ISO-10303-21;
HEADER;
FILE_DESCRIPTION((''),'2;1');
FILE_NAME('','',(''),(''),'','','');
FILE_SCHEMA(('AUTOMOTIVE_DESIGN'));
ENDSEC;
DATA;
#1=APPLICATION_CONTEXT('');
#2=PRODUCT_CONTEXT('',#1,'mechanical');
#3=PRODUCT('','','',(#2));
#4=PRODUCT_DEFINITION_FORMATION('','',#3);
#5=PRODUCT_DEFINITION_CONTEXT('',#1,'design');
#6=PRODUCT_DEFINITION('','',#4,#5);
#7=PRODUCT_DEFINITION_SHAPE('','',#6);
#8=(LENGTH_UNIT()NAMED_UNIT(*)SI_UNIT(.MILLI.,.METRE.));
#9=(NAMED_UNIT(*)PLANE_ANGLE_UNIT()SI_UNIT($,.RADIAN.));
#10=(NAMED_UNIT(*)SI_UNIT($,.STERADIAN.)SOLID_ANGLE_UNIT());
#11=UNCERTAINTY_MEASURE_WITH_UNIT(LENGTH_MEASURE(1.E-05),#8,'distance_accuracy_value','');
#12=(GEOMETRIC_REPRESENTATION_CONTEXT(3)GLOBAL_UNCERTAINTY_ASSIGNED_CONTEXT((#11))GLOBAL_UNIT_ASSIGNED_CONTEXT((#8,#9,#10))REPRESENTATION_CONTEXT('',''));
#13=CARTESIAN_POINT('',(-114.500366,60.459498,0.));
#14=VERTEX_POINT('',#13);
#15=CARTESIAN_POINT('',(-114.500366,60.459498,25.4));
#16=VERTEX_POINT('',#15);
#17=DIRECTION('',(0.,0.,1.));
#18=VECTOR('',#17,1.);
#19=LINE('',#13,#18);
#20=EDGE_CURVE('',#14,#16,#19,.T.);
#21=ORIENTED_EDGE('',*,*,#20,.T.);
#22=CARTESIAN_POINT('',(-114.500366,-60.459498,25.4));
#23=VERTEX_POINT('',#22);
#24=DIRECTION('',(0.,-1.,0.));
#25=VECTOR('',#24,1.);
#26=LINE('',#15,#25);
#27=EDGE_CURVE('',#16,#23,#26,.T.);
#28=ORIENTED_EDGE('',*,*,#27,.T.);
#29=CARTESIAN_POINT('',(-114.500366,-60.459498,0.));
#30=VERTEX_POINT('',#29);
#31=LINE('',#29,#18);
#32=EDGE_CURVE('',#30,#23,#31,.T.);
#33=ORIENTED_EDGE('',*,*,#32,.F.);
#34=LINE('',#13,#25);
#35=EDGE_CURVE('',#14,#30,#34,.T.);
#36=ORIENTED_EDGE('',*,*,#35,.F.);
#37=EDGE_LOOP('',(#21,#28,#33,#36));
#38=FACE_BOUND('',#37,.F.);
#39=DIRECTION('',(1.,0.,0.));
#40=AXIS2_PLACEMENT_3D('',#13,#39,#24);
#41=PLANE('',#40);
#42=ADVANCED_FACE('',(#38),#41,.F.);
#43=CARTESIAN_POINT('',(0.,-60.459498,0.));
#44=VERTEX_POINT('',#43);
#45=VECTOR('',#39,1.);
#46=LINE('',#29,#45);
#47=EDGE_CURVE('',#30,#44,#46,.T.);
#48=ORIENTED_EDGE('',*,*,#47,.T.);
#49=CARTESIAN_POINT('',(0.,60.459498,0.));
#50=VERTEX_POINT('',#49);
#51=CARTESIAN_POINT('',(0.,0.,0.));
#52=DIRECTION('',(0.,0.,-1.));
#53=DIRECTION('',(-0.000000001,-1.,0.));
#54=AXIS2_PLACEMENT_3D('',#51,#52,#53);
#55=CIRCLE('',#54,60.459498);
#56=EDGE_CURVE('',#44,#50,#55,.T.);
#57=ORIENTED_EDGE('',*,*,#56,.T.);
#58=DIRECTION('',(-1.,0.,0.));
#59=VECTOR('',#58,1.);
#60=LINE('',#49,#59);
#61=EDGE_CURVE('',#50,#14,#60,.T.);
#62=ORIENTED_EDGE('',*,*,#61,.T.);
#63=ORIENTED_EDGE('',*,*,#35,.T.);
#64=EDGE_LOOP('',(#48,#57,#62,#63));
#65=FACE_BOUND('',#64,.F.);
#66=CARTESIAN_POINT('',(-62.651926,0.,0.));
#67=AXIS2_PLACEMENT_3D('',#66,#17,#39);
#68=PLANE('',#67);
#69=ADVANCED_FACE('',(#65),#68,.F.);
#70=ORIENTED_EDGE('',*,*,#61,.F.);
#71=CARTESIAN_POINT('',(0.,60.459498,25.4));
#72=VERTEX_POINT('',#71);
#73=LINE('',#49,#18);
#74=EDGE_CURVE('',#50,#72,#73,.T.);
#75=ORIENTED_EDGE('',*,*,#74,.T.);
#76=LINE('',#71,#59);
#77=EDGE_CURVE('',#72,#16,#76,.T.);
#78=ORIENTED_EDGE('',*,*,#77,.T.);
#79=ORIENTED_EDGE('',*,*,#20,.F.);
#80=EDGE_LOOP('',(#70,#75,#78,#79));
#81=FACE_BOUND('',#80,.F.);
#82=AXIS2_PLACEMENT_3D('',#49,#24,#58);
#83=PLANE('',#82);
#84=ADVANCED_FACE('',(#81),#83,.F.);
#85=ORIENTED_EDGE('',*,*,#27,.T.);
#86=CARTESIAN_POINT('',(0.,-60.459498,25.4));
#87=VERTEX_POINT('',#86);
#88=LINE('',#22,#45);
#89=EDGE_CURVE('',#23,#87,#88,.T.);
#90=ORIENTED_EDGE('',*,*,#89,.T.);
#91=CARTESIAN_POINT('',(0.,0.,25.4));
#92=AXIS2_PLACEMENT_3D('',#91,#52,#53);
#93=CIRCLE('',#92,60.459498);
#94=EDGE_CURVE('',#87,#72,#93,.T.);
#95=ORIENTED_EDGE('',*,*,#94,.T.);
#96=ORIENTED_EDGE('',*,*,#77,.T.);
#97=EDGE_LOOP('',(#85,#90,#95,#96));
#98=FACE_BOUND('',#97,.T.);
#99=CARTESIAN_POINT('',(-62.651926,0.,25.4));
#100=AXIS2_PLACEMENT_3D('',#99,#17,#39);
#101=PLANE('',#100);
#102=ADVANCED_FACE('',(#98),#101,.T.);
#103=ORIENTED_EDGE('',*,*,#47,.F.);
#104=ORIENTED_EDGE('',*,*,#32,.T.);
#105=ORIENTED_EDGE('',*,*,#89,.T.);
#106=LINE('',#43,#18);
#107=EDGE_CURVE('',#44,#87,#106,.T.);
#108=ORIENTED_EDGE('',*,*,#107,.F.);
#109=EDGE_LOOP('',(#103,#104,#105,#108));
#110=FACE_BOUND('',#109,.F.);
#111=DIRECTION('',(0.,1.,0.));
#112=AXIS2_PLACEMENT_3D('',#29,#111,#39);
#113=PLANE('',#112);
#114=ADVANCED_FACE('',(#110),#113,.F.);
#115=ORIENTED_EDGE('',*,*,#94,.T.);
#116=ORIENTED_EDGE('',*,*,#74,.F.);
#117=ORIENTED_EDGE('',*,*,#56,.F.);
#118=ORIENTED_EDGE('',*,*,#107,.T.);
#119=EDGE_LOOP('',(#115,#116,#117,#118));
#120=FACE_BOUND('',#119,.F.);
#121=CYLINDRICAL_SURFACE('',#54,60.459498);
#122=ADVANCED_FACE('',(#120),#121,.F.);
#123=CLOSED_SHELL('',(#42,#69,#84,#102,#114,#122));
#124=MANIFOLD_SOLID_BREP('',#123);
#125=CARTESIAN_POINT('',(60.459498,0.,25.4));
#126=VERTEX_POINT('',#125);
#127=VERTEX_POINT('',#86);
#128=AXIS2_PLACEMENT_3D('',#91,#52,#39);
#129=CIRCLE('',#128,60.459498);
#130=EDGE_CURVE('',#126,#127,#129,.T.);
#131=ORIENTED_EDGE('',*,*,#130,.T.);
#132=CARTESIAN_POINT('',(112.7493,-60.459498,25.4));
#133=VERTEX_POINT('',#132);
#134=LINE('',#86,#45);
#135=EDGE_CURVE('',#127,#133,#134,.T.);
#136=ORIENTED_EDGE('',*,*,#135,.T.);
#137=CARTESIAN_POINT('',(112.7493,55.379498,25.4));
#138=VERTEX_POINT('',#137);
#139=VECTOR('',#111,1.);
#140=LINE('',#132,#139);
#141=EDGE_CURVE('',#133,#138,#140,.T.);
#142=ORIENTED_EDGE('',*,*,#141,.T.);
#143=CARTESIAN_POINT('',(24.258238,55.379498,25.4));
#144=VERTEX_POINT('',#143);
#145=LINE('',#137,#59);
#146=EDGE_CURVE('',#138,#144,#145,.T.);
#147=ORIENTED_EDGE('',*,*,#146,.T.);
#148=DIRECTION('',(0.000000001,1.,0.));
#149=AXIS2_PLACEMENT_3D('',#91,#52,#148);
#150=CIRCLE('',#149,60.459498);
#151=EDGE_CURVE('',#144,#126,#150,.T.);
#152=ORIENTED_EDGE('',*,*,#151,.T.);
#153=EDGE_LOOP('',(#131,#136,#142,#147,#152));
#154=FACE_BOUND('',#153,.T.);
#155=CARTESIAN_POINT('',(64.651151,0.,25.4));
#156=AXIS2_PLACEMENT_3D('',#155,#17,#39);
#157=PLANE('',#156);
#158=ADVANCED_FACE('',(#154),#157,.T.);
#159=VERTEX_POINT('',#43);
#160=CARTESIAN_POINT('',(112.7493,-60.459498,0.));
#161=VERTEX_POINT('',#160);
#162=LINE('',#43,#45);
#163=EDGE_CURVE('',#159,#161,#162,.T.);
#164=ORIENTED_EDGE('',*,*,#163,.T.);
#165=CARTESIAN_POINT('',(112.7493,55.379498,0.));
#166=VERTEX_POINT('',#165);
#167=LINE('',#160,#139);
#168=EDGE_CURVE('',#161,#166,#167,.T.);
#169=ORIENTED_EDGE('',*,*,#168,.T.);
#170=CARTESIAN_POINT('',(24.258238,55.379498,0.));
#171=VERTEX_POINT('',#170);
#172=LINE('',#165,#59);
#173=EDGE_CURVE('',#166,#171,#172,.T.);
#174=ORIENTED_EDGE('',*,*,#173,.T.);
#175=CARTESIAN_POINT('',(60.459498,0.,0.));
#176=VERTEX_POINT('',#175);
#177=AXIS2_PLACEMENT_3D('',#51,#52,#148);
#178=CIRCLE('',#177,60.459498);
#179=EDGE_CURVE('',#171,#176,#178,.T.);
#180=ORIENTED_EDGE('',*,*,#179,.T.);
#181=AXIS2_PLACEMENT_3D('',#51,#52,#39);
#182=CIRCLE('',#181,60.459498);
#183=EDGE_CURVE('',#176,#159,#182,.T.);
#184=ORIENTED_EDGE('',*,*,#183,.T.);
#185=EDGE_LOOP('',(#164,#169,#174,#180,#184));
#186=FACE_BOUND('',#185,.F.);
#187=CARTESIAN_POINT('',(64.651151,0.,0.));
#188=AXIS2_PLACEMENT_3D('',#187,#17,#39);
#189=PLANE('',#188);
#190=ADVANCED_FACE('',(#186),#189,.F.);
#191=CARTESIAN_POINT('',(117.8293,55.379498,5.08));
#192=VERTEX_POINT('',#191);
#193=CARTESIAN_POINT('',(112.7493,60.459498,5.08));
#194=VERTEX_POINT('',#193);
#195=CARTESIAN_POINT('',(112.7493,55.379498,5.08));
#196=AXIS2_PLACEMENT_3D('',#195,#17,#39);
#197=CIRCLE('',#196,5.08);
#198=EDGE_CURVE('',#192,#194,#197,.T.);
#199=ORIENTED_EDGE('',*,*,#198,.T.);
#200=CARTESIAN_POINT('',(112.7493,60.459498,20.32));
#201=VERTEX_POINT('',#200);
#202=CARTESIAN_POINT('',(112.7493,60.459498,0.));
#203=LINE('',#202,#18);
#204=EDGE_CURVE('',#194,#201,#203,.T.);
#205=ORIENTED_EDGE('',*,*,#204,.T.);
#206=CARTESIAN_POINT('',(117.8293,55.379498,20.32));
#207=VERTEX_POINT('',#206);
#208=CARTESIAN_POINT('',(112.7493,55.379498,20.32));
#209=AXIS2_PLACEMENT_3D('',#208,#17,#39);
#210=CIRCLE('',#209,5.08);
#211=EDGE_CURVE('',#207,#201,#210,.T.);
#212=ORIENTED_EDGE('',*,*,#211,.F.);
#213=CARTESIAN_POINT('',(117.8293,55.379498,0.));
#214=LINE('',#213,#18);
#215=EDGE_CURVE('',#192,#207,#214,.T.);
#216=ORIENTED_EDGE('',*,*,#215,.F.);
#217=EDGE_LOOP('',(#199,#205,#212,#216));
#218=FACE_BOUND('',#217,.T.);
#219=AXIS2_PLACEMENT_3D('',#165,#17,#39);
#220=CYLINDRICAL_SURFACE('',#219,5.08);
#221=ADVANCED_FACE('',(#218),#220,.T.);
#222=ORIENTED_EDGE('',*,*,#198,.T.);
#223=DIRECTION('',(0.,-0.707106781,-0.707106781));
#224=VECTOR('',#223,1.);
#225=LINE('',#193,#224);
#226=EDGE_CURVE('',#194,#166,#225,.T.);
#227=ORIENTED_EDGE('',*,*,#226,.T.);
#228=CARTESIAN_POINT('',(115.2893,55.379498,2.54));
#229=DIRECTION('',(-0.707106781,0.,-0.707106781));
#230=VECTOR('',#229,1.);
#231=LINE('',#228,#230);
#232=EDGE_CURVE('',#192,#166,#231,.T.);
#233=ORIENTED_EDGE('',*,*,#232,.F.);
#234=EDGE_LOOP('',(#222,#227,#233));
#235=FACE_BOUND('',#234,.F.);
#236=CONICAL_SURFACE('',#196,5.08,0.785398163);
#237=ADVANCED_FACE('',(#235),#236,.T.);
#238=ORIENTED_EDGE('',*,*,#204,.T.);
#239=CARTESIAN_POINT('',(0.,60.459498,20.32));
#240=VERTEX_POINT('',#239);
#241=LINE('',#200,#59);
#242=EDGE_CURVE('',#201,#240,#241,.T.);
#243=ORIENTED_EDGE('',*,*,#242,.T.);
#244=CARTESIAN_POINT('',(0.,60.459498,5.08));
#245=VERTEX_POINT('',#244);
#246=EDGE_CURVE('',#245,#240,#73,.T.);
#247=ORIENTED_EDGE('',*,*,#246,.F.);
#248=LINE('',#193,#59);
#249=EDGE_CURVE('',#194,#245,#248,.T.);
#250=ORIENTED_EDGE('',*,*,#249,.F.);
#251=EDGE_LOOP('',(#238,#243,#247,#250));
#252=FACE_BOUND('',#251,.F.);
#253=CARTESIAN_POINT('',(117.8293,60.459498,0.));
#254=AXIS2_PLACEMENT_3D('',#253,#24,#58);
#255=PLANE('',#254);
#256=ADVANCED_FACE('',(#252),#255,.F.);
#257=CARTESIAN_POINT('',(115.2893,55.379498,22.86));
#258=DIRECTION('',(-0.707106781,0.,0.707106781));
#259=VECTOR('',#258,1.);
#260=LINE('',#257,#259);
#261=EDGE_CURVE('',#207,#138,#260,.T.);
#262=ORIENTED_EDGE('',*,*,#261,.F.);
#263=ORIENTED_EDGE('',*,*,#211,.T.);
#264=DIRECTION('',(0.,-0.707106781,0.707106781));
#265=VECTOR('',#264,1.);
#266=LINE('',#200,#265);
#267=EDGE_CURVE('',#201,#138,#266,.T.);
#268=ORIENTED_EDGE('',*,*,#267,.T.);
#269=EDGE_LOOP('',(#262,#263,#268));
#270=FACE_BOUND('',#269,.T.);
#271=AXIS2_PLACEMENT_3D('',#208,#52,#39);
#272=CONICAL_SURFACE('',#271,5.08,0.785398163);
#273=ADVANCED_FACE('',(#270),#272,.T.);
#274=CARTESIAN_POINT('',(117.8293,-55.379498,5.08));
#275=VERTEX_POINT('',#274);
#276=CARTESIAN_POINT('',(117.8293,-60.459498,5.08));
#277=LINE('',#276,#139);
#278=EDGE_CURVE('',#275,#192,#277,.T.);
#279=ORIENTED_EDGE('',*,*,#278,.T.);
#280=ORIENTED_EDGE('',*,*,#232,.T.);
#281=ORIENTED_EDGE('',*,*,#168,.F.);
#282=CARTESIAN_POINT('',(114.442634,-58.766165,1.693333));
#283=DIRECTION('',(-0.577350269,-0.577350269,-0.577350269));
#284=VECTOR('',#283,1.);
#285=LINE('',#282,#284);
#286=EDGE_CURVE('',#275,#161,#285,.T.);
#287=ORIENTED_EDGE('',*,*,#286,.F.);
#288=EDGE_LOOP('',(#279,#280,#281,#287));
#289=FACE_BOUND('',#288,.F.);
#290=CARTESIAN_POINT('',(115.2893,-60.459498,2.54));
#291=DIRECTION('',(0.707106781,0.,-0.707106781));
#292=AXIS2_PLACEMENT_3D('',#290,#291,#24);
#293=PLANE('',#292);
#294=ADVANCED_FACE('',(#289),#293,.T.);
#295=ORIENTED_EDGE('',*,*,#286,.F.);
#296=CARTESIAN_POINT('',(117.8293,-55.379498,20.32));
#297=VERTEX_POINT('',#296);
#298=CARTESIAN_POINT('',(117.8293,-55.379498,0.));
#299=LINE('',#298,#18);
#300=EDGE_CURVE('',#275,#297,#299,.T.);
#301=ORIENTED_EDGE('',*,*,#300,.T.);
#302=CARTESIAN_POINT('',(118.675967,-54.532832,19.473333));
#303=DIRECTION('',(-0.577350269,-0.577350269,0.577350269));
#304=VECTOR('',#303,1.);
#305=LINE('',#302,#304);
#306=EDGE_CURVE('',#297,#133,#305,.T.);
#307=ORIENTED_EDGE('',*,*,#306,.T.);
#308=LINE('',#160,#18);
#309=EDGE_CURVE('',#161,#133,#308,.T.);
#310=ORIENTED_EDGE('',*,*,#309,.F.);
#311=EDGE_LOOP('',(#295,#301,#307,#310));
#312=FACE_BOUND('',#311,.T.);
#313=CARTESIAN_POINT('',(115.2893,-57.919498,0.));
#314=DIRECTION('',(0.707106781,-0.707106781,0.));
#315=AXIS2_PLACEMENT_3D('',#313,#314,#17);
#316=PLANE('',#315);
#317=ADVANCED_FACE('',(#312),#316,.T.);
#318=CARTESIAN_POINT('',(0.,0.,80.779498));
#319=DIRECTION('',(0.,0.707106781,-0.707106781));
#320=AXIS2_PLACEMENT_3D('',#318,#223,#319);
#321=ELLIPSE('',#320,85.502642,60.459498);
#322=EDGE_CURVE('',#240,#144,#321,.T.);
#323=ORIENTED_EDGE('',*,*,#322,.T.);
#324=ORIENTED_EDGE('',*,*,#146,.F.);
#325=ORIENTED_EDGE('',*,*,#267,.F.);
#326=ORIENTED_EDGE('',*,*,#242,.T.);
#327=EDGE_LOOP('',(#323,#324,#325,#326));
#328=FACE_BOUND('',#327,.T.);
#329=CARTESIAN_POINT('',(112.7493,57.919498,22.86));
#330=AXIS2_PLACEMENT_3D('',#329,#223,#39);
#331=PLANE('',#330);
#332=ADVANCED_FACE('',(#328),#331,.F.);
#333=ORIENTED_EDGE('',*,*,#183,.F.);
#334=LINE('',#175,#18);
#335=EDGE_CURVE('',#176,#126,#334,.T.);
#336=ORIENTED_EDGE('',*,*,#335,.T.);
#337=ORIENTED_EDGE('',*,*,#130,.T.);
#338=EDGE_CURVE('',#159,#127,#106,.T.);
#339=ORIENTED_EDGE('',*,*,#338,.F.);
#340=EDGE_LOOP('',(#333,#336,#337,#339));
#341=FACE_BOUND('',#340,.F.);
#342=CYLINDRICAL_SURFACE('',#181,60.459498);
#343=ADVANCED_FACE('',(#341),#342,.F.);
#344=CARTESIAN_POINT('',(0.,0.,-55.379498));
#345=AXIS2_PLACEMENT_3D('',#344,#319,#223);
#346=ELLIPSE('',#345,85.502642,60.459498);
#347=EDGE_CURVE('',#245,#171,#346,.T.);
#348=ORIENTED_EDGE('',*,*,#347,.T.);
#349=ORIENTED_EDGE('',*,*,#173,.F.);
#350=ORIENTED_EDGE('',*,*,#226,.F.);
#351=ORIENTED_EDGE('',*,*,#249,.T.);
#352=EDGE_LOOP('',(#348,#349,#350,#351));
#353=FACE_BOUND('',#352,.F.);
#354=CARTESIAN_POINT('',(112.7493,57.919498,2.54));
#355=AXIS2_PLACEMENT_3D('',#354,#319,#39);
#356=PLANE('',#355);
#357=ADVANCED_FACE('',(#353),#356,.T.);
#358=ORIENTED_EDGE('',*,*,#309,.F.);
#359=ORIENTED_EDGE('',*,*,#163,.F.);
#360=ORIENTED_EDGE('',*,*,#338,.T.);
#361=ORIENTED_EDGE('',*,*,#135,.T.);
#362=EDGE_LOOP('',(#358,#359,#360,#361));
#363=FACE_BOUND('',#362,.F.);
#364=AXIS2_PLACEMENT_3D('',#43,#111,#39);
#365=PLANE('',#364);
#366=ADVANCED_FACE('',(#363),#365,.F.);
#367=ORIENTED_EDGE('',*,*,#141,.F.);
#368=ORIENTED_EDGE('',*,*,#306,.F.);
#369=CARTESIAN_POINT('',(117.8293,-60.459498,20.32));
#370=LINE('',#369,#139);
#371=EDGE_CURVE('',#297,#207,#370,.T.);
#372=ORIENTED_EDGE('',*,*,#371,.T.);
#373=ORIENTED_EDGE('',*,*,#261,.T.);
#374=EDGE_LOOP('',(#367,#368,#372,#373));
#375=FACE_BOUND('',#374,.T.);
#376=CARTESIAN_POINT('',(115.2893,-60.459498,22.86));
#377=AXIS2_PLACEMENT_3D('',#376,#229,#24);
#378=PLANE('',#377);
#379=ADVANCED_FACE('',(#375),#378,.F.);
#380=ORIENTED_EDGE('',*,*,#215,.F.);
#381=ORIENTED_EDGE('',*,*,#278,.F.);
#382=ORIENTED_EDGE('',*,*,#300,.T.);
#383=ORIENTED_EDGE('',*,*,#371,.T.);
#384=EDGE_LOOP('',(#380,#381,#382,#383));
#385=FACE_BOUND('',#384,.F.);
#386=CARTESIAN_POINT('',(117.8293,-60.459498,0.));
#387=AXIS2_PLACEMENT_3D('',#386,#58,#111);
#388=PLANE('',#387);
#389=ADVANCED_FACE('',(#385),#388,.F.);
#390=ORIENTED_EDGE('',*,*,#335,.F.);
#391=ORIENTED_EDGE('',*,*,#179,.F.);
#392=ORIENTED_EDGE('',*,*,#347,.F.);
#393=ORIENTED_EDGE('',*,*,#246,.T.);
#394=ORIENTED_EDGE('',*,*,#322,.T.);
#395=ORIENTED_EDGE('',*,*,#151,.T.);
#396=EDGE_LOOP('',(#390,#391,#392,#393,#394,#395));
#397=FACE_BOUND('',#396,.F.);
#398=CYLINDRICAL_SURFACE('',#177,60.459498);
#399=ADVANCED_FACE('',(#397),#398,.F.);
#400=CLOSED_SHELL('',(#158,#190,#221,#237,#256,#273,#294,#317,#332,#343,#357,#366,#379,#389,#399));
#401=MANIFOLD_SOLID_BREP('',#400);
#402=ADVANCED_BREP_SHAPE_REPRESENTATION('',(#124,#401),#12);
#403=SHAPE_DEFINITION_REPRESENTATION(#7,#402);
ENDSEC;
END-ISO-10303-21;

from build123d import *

# Parameters (mm, degrees)
F1_DEPTH = 25.4
F2_R     = 5.08
F3_SIZE  = 5.08


with BuildPart() as f1:
    # F0 (on Top) → F1 (new body)
    with BuildSketch(Plane.XY):
        with BuildLine():
            ThreePointArc((60.459498316, 0), (42.7513212318, -42.7513212611), (-4.14e-08, -60.459498316))
            Line((-4.14e-08, -60.459498316), (117.8293004632, -60.459498316))
            Line((117.8293004632, -60.459498316), (117.8293004632, 60.459498316))
            Line((117.8293004632, 60.459498316), (7.15e-08, 60.459498316))
            ThreePointArc((7.15e-08, 60.459498316), (42.7513212717, 42.7513212211), (60.459498316, 0))
        make_face()
    extrude(amount=F1_DEPTH)

    # F2
    f2_edges = [f1.edges().sort_by_distance(p)[0] for p in [
        (117.8293, 60.459498, 12.7),
    ]]
    fillet(f2_edges, radius=F2_R)

    # F3
    f3_edges = [f1.edges().sort_by_distance(p)[0] for p in [
        (117.8293, -2.54, 0),
        (117.8293, 55.379498, 12.7),
        (117.8293, -60.459498, 12.7),
        (117.8293, -2.54, 25.4),
    ]]
    chamfer(f3_edges, length=F3_SIZE)


with BuildPart() as f1b:
    # F0 (on Top) → F1, piece 2 (new body)
    with BuildSketch(Plane.XY):
        with BuildLine():
            Line((-114.5003661513, 60.459498316), (-114.5003661513, -60.459498316))
            Line((-114.5003661513, -60.459498316), (-4.14e-08, -60.459498316))
            ThreePointArc((-4.14e-08, -60.459498316), (-60.459498316, 5.65e-08), (7.15e-08, 60.459498316))
            Line((7.15e-08, 60.459498316), (-114.5003661513, 60.459498316))
        make_face()
    extrude(amount=F1_DEPTH)


solid = Compound([f1.part, f1b.part])
